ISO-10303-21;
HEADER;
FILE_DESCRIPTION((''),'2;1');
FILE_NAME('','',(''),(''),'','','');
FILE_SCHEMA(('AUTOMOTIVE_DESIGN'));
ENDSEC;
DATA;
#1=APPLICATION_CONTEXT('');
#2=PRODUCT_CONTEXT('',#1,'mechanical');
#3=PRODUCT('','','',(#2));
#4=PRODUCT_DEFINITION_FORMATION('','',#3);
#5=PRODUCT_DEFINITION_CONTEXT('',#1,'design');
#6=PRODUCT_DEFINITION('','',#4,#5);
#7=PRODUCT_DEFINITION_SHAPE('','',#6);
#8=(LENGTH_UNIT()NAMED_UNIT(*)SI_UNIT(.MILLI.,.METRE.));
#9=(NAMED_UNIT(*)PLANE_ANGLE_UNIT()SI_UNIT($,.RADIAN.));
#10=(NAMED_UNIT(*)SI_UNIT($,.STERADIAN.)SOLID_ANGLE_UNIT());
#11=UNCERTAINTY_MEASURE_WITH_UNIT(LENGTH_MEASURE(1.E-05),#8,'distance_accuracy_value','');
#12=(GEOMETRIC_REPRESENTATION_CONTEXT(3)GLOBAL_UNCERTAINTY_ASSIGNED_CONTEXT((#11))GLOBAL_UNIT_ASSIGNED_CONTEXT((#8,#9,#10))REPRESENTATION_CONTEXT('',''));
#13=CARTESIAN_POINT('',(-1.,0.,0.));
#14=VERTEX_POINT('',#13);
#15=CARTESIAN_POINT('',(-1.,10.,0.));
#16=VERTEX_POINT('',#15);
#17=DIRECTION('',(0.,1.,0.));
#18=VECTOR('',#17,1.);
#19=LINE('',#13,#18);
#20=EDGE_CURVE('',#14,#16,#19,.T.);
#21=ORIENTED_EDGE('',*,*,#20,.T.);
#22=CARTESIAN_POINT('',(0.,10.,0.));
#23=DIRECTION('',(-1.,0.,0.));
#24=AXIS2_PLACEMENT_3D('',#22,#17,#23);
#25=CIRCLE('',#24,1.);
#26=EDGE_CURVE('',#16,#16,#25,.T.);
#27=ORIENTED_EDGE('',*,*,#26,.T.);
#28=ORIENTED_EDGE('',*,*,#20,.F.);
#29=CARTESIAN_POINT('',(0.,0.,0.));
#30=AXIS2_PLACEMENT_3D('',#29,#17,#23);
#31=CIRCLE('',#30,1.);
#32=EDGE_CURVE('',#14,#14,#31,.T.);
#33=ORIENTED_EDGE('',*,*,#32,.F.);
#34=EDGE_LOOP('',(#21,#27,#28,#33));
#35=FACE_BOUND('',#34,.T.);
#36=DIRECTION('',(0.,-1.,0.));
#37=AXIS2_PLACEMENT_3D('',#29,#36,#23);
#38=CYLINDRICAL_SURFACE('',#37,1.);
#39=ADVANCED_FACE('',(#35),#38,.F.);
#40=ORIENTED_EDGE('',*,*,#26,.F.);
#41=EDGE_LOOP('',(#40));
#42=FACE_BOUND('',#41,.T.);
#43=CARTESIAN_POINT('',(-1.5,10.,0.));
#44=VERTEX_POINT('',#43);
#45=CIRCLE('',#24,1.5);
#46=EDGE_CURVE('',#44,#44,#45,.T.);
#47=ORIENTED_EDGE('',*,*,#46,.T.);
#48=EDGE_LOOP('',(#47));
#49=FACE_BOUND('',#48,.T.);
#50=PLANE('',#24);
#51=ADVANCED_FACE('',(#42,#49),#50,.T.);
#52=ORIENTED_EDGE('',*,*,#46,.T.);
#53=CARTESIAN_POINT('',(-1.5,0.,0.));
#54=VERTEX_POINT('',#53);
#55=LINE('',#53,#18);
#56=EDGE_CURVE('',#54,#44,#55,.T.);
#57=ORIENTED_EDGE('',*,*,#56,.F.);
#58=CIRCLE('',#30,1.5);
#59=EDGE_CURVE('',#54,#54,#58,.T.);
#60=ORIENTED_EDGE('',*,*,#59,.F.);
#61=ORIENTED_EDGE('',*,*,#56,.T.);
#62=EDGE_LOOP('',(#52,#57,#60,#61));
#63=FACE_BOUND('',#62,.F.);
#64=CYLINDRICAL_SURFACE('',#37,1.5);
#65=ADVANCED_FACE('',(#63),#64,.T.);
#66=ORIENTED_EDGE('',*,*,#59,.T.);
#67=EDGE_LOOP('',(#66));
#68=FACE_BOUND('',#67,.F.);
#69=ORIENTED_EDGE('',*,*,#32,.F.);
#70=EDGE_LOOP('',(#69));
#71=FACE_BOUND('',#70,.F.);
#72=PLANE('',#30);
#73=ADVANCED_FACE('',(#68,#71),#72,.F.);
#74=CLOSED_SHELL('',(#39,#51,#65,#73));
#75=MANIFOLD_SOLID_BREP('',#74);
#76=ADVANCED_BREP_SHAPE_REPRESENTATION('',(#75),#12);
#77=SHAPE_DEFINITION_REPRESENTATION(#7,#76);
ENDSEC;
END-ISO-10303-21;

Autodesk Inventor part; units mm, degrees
ref_plane "YZ Plane" through (0, 0, 0) normal (1, 0, 0) x (0, 1, 0)
ref_plane "XZ Plane" through (0, 0, 0) normal (0, 1, 0) x (-1, 0, 0)
ref_plane "XY Plane" through (0, 0, 0) normal (0, 0, 1) x (1, 0, 0)
sketch "Esquisse1" plane through (0, 0, 0) normal (0, 1, 0) x (-1, 0, 0)
  circle A0 centre (0, 0) radius 1
  circle A1 centre (0, 0) radius 1.5
  dimension "d0" = 2
  dimension "d1" = 3
extrude "Extrusion1" add sketch "Esquisse1" along normal blind 10
properties part number "support capilaire"
